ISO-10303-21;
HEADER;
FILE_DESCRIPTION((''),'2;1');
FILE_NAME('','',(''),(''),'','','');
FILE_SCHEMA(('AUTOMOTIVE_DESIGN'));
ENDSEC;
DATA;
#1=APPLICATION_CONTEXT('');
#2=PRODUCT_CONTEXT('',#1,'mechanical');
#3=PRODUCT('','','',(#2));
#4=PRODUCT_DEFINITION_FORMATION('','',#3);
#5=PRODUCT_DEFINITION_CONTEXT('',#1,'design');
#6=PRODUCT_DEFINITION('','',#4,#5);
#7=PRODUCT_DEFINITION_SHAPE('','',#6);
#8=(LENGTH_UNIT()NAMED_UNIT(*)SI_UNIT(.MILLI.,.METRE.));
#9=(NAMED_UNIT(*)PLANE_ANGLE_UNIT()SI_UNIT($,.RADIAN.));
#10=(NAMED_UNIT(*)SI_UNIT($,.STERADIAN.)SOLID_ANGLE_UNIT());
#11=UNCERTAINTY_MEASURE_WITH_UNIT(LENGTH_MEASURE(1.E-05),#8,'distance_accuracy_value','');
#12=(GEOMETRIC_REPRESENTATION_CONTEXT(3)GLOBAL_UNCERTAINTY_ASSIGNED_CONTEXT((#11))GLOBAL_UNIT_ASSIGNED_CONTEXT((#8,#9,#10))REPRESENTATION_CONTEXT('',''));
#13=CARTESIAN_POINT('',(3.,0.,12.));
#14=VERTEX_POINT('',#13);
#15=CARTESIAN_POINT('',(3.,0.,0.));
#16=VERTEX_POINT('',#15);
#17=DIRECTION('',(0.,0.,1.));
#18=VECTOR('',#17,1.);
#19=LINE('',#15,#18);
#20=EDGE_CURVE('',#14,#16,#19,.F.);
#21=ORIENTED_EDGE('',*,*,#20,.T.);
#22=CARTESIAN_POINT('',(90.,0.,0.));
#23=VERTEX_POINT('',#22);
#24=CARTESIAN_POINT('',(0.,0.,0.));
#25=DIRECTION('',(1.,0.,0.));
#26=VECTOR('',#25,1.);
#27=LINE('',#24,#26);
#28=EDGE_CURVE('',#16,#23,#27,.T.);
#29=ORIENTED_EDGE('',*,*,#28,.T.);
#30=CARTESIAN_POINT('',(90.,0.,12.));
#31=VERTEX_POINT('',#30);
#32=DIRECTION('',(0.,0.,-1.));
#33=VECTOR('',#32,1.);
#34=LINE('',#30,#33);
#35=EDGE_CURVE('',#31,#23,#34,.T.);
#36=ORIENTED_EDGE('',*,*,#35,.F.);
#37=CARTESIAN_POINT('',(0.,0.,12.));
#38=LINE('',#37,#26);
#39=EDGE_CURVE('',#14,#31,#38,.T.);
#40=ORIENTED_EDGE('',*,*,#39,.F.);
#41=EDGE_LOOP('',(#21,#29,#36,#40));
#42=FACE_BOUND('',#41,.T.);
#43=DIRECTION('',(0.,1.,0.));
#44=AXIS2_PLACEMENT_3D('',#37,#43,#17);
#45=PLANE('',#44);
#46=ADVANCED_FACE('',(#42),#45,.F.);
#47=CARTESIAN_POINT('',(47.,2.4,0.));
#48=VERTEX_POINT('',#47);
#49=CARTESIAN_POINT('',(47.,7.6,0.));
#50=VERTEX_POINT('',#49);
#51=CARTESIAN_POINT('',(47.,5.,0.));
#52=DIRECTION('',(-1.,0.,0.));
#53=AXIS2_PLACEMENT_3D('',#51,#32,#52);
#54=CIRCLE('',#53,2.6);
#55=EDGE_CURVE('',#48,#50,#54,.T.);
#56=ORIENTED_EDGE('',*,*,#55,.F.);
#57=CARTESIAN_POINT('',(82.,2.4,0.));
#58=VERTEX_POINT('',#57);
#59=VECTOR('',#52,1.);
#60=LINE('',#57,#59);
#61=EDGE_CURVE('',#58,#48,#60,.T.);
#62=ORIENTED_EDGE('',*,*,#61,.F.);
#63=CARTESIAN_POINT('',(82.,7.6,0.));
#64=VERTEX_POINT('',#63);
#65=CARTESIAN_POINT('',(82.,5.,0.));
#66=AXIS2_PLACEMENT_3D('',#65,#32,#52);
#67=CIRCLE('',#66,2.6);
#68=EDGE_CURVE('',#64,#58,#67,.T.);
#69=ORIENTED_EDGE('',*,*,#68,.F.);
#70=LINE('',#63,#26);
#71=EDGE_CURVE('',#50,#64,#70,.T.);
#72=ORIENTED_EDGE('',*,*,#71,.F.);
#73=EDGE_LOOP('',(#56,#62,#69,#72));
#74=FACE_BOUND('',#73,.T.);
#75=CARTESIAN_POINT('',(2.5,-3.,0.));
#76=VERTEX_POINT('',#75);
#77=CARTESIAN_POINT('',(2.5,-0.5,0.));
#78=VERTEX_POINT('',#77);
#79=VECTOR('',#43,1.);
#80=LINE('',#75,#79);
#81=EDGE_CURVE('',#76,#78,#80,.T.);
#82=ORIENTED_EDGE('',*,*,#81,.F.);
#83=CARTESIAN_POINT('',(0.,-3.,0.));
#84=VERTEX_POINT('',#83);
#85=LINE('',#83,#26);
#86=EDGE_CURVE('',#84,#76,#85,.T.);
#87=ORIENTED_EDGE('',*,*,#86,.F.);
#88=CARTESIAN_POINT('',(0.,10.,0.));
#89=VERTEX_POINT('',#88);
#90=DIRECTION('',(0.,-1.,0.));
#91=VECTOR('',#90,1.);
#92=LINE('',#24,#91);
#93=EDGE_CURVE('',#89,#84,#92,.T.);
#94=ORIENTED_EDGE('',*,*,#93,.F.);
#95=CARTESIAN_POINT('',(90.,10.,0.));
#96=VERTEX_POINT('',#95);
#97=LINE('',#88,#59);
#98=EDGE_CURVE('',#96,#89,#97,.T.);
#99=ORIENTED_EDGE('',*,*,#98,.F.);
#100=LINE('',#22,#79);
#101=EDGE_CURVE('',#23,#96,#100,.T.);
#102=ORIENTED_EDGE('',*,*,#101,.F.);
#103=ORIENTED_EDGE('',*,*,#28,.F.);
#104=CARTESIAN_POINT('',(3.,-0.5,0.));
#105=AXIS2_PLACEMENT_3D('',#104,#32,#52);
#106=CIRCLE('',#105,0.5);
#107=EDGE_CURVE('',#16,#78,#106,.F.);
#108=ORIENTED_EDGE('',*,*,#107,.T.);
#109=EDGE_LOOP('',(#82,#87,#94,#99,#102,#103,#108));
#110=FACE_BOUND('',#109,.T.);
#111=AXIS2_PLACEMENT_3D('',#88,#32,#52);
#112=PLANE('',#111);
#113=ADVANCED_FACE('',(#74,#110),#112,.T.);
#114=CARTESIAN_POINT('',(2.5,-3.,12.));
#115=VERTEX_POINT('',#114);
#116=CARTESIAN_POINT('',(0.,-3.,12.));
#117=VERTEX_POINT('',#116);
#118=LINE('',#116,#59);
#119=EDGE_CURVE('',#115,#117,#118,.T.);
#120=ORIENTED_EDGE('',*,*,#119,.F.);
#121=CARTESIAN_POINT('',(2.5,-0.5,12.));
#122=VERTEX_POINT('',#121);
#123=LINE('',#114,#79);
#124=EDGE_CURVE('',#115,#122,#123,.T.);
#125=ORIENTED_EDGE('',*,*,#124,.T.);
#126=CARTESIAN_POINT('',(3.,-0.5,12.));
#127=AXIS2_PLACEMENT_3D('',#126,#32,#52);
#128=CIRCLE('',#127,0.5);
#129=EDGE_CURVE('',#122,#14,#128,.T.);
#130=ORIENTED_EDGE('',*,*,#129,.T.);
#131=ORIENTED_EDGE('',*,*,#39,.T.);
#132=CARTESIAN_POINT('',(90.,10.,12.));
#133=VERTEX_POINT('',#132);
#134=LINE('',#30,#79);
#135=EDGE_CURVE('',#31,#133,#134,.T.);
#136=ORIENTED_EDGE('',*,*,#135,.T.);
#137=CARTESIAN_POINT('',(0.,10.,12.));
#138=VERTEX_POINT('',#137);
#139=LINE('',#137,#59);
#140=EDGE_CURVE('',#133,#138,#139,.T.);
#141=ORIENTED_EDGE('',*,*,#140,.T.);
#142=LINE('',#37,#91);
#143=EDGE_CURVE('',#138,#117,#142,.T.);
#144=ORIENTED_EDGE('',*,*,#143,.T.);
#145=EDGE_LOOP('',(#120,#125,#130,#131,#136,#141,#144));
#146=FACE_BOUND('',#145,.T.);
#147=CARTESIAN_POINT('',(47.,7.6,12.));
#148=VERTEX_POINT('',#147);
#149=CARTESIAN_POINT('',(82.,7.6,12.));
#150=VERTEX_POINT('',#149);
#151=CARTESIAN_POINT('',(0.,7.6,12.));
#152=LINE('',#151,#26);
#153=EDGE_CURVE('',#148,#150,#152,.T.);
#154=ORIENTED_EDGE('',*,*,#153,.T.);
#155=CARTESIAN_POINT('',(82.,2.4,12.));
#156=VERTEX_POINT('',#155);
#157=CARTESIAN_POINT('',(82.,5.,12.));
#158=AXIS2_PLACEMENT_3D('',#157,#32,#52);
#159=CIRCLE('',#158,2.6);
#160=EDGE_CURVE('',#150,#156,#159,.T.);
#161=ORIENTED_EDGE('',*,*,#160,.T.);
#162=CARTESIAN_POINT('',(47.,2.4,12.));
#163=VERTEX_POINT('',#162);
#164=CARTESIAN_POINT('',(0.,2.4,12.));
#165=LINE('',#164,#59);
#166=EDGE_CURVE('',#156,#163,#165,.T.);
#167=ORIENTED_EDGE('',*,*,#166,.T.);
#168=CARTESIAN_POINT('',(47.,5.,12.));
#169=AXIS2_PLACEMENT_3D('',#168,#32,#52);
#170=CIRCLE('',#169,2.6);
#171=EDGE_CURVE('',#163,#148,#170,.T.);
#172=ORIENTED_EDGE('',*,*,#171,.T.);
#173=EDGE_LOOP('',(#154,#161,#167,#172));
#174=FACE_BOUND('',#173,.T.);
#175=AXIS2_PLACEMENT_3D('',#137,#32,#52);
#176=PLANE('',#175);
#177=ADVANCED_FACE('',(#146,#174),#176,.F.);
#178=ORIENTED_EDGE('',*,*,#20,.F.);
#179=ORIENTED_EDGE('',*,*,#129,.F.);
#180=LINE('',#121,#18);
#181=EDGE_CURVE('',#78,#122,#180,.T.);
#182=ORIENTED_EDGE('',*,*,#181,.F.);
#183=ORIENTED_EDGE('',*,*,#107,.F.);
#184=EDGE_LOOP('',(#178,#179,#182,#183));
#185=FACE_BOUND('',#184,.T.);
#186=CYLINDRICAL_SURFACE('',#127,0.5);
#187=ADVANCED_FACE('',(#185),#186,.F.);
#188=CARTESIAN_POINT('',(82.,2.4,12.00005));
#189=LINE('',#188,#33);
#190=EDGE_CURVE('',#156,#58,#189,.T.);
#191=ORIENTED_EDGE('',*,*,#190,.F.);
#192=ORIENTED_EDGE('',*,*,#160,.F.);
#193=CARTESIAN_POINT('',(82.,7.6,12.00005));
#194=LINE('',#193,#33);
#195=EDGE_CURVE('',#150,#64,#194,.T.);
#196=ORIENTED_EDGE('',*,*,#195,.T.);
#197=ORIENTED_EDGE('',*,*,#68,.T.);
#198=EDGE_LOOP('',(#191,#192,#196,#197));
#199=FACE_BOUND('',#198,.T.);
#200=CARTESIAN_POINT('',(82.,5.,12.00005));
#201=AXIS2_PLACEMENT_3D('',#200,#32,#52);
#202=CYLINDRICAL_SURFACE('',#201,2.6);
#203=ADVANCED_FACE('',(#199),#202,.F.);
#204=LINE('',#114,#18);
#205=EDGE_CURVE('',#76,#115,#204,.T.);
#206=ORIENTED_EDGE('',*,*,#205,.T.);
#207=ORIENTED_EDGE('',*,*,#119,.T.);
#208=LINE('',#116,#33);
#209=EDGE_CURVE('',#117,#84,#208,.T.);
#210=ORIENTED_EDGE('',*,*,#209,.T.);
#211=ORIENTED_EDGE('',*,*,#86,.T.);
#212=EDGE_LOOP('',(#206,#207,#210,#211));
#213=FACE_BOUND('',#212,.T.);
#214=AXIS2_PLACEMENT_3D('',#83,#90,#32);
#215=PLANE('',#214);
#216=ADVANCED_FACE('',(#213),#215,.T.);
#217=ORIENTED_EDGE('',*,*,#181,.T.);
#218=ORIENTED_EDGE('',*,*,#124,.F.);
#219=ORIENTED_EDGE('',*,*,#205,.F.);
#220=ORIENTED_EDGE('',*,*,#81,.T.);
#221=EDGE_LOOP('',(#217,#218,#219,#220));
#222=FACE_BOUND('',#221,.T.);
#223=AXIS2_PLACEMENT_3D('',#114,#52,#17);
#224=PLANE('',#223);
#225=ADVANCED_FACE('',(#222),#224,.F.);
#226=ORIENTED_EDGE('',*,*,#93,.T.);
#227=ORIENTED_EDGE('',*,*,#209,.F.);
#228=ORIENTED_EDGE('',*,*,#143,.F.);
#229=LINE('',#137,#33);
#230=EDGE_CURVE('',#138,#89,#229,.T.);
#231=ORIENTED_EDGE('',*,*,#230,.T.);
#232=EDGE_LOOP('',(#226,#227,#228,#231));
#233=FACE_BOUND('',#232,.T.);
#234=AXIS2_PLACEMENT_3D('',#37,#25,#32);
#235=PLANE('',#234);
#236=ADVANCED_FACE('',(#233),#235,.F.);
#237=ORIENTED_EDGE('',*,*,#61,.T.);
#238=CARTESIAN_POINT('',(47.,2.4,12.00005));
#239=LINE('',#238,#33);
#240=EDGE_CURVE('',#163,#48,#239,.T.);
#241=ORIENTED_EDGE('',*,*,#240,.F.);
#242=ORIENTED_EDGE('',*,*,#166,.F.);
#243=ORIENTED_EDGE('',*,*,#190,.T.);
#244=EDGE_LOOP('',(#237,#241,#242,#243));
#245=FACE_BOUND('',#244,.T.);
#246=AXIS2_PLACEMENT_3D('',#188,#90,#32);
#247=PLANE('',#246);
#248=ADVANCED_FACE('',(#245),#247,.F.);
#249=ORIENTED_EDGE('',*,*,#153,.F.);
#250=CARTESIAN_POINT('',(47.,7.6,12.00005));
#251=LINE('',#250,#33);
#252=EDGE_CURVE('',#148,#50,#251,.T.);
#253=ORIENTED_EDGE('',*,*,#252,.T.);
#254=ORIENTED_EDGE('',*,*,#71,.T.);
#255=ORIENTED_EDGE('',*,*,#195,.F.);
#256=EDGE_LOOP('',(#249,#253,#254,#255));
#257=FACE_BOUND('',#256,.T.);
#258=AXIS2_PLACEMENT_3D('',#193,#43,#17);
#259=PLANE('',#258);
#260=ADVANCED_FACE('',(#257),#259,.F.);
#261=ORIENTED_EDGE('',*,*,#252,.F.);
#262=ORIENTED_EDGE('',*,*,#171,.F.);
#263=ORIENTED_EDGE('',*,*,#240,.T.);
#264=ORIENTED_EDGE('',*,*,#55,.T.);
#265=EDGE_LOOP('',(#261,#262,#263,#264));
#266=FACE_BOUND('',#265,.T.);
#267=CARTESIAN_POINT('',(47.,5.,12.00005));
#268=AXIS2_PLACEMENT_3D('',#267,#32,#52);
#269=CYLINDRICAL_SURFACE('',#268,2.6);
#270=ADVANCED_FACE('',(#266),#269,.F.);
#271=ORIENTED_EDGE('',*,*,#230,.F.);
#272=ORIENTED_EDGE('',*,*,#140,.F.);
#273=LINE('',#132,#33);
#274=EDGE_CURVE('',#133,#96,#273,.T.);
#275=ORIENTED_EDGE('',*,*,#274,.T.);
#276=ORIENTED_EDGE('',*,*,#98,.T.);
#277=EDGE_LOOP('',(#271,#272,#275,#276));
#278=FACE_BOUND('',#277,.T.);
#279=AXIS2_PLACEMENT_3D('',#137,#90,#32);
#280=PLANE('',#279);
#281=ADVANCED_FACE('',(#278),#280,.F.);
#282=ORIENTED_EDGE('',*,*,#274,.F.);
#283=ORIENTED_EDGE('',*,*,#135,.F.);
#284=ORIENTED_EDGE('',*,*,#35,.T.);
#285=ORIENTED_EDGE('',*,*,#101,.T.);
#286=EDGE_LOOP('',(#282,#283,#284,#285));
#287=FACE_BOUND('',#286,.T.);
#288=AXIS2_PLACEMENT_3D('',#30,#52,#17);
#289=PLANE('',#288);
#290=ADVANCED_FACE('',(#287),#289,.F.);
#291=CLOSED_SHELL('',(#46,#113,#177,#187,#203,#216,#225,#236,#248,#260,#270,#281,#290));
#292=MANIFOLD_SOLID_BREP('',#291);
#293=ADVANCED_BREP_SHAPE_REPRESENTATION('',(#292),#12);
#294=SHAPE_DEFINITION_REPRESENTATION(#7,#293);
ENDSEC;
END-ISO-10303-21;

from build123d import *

# Parameters (mm, degrees)
SKETCH_1_W          = 90
SKETCH_1_H          = 10
EXTRUDE_1_DEPTH     = 12
SKETCH_2_W          = 2.5
SKETCH_2_H          = 12
EXTRUDE_2_DEPTH     = 3
CUT_EXTRUDE_1_DEPTH = 92.345497973
FILLET_1_R          = 0.5


with BuildPart() as part:
    # 草图1 → 凸台-拉伸1 (new body)
    with BuildSketch(Plane.XY):
        with Locations((45, 5)):
            Rectangle(SKETCH_1_W, SKETCH_1_H)
    extrude(amount=EXTRUDE_1_DEPTH)

    # 草图2 → 凸台-拉伸2 (add)
    with BuildSketch(Plane.XZ):
        with Locations((1.25, 6)):
            Rectangle(SKETCH_2_W, SKETCH_2_H)
    extrude(amount=EXTRUDE_2_DEPTH)

    # 草图3 → 切除-拉伸1 (cut, through all)
    with BuildSketch(Plane(origin=(0, 0, 0), x_dir=(-1, 0, 0), z_dir=(0, 0, -1))):
        with BuildLine():
            Line((-82, 7.6), (-47, 7.6))
            ThreePointArc((-47, 7.6), (-44.4, 5), (-47, 2.4))
            Line((-47, 2.4), (-82, 2.4))
            ThreePointArc((-82, 2.4), (-84.6, 5), (-82, 7.6))
        make_face()
    extrude(amount=-CUT_EXTRUDE_1_DEPTH, mode=Mode.SUBTRACT)

    # 圆角1
    fillet_1_edges = [part.edges().sort_by_distance(p)[0] for p in [
        (2.5, 0, 6),
    ]]
    fillet(fillet_1_edges, radius=FILLET_1_R)


solid = part.part
